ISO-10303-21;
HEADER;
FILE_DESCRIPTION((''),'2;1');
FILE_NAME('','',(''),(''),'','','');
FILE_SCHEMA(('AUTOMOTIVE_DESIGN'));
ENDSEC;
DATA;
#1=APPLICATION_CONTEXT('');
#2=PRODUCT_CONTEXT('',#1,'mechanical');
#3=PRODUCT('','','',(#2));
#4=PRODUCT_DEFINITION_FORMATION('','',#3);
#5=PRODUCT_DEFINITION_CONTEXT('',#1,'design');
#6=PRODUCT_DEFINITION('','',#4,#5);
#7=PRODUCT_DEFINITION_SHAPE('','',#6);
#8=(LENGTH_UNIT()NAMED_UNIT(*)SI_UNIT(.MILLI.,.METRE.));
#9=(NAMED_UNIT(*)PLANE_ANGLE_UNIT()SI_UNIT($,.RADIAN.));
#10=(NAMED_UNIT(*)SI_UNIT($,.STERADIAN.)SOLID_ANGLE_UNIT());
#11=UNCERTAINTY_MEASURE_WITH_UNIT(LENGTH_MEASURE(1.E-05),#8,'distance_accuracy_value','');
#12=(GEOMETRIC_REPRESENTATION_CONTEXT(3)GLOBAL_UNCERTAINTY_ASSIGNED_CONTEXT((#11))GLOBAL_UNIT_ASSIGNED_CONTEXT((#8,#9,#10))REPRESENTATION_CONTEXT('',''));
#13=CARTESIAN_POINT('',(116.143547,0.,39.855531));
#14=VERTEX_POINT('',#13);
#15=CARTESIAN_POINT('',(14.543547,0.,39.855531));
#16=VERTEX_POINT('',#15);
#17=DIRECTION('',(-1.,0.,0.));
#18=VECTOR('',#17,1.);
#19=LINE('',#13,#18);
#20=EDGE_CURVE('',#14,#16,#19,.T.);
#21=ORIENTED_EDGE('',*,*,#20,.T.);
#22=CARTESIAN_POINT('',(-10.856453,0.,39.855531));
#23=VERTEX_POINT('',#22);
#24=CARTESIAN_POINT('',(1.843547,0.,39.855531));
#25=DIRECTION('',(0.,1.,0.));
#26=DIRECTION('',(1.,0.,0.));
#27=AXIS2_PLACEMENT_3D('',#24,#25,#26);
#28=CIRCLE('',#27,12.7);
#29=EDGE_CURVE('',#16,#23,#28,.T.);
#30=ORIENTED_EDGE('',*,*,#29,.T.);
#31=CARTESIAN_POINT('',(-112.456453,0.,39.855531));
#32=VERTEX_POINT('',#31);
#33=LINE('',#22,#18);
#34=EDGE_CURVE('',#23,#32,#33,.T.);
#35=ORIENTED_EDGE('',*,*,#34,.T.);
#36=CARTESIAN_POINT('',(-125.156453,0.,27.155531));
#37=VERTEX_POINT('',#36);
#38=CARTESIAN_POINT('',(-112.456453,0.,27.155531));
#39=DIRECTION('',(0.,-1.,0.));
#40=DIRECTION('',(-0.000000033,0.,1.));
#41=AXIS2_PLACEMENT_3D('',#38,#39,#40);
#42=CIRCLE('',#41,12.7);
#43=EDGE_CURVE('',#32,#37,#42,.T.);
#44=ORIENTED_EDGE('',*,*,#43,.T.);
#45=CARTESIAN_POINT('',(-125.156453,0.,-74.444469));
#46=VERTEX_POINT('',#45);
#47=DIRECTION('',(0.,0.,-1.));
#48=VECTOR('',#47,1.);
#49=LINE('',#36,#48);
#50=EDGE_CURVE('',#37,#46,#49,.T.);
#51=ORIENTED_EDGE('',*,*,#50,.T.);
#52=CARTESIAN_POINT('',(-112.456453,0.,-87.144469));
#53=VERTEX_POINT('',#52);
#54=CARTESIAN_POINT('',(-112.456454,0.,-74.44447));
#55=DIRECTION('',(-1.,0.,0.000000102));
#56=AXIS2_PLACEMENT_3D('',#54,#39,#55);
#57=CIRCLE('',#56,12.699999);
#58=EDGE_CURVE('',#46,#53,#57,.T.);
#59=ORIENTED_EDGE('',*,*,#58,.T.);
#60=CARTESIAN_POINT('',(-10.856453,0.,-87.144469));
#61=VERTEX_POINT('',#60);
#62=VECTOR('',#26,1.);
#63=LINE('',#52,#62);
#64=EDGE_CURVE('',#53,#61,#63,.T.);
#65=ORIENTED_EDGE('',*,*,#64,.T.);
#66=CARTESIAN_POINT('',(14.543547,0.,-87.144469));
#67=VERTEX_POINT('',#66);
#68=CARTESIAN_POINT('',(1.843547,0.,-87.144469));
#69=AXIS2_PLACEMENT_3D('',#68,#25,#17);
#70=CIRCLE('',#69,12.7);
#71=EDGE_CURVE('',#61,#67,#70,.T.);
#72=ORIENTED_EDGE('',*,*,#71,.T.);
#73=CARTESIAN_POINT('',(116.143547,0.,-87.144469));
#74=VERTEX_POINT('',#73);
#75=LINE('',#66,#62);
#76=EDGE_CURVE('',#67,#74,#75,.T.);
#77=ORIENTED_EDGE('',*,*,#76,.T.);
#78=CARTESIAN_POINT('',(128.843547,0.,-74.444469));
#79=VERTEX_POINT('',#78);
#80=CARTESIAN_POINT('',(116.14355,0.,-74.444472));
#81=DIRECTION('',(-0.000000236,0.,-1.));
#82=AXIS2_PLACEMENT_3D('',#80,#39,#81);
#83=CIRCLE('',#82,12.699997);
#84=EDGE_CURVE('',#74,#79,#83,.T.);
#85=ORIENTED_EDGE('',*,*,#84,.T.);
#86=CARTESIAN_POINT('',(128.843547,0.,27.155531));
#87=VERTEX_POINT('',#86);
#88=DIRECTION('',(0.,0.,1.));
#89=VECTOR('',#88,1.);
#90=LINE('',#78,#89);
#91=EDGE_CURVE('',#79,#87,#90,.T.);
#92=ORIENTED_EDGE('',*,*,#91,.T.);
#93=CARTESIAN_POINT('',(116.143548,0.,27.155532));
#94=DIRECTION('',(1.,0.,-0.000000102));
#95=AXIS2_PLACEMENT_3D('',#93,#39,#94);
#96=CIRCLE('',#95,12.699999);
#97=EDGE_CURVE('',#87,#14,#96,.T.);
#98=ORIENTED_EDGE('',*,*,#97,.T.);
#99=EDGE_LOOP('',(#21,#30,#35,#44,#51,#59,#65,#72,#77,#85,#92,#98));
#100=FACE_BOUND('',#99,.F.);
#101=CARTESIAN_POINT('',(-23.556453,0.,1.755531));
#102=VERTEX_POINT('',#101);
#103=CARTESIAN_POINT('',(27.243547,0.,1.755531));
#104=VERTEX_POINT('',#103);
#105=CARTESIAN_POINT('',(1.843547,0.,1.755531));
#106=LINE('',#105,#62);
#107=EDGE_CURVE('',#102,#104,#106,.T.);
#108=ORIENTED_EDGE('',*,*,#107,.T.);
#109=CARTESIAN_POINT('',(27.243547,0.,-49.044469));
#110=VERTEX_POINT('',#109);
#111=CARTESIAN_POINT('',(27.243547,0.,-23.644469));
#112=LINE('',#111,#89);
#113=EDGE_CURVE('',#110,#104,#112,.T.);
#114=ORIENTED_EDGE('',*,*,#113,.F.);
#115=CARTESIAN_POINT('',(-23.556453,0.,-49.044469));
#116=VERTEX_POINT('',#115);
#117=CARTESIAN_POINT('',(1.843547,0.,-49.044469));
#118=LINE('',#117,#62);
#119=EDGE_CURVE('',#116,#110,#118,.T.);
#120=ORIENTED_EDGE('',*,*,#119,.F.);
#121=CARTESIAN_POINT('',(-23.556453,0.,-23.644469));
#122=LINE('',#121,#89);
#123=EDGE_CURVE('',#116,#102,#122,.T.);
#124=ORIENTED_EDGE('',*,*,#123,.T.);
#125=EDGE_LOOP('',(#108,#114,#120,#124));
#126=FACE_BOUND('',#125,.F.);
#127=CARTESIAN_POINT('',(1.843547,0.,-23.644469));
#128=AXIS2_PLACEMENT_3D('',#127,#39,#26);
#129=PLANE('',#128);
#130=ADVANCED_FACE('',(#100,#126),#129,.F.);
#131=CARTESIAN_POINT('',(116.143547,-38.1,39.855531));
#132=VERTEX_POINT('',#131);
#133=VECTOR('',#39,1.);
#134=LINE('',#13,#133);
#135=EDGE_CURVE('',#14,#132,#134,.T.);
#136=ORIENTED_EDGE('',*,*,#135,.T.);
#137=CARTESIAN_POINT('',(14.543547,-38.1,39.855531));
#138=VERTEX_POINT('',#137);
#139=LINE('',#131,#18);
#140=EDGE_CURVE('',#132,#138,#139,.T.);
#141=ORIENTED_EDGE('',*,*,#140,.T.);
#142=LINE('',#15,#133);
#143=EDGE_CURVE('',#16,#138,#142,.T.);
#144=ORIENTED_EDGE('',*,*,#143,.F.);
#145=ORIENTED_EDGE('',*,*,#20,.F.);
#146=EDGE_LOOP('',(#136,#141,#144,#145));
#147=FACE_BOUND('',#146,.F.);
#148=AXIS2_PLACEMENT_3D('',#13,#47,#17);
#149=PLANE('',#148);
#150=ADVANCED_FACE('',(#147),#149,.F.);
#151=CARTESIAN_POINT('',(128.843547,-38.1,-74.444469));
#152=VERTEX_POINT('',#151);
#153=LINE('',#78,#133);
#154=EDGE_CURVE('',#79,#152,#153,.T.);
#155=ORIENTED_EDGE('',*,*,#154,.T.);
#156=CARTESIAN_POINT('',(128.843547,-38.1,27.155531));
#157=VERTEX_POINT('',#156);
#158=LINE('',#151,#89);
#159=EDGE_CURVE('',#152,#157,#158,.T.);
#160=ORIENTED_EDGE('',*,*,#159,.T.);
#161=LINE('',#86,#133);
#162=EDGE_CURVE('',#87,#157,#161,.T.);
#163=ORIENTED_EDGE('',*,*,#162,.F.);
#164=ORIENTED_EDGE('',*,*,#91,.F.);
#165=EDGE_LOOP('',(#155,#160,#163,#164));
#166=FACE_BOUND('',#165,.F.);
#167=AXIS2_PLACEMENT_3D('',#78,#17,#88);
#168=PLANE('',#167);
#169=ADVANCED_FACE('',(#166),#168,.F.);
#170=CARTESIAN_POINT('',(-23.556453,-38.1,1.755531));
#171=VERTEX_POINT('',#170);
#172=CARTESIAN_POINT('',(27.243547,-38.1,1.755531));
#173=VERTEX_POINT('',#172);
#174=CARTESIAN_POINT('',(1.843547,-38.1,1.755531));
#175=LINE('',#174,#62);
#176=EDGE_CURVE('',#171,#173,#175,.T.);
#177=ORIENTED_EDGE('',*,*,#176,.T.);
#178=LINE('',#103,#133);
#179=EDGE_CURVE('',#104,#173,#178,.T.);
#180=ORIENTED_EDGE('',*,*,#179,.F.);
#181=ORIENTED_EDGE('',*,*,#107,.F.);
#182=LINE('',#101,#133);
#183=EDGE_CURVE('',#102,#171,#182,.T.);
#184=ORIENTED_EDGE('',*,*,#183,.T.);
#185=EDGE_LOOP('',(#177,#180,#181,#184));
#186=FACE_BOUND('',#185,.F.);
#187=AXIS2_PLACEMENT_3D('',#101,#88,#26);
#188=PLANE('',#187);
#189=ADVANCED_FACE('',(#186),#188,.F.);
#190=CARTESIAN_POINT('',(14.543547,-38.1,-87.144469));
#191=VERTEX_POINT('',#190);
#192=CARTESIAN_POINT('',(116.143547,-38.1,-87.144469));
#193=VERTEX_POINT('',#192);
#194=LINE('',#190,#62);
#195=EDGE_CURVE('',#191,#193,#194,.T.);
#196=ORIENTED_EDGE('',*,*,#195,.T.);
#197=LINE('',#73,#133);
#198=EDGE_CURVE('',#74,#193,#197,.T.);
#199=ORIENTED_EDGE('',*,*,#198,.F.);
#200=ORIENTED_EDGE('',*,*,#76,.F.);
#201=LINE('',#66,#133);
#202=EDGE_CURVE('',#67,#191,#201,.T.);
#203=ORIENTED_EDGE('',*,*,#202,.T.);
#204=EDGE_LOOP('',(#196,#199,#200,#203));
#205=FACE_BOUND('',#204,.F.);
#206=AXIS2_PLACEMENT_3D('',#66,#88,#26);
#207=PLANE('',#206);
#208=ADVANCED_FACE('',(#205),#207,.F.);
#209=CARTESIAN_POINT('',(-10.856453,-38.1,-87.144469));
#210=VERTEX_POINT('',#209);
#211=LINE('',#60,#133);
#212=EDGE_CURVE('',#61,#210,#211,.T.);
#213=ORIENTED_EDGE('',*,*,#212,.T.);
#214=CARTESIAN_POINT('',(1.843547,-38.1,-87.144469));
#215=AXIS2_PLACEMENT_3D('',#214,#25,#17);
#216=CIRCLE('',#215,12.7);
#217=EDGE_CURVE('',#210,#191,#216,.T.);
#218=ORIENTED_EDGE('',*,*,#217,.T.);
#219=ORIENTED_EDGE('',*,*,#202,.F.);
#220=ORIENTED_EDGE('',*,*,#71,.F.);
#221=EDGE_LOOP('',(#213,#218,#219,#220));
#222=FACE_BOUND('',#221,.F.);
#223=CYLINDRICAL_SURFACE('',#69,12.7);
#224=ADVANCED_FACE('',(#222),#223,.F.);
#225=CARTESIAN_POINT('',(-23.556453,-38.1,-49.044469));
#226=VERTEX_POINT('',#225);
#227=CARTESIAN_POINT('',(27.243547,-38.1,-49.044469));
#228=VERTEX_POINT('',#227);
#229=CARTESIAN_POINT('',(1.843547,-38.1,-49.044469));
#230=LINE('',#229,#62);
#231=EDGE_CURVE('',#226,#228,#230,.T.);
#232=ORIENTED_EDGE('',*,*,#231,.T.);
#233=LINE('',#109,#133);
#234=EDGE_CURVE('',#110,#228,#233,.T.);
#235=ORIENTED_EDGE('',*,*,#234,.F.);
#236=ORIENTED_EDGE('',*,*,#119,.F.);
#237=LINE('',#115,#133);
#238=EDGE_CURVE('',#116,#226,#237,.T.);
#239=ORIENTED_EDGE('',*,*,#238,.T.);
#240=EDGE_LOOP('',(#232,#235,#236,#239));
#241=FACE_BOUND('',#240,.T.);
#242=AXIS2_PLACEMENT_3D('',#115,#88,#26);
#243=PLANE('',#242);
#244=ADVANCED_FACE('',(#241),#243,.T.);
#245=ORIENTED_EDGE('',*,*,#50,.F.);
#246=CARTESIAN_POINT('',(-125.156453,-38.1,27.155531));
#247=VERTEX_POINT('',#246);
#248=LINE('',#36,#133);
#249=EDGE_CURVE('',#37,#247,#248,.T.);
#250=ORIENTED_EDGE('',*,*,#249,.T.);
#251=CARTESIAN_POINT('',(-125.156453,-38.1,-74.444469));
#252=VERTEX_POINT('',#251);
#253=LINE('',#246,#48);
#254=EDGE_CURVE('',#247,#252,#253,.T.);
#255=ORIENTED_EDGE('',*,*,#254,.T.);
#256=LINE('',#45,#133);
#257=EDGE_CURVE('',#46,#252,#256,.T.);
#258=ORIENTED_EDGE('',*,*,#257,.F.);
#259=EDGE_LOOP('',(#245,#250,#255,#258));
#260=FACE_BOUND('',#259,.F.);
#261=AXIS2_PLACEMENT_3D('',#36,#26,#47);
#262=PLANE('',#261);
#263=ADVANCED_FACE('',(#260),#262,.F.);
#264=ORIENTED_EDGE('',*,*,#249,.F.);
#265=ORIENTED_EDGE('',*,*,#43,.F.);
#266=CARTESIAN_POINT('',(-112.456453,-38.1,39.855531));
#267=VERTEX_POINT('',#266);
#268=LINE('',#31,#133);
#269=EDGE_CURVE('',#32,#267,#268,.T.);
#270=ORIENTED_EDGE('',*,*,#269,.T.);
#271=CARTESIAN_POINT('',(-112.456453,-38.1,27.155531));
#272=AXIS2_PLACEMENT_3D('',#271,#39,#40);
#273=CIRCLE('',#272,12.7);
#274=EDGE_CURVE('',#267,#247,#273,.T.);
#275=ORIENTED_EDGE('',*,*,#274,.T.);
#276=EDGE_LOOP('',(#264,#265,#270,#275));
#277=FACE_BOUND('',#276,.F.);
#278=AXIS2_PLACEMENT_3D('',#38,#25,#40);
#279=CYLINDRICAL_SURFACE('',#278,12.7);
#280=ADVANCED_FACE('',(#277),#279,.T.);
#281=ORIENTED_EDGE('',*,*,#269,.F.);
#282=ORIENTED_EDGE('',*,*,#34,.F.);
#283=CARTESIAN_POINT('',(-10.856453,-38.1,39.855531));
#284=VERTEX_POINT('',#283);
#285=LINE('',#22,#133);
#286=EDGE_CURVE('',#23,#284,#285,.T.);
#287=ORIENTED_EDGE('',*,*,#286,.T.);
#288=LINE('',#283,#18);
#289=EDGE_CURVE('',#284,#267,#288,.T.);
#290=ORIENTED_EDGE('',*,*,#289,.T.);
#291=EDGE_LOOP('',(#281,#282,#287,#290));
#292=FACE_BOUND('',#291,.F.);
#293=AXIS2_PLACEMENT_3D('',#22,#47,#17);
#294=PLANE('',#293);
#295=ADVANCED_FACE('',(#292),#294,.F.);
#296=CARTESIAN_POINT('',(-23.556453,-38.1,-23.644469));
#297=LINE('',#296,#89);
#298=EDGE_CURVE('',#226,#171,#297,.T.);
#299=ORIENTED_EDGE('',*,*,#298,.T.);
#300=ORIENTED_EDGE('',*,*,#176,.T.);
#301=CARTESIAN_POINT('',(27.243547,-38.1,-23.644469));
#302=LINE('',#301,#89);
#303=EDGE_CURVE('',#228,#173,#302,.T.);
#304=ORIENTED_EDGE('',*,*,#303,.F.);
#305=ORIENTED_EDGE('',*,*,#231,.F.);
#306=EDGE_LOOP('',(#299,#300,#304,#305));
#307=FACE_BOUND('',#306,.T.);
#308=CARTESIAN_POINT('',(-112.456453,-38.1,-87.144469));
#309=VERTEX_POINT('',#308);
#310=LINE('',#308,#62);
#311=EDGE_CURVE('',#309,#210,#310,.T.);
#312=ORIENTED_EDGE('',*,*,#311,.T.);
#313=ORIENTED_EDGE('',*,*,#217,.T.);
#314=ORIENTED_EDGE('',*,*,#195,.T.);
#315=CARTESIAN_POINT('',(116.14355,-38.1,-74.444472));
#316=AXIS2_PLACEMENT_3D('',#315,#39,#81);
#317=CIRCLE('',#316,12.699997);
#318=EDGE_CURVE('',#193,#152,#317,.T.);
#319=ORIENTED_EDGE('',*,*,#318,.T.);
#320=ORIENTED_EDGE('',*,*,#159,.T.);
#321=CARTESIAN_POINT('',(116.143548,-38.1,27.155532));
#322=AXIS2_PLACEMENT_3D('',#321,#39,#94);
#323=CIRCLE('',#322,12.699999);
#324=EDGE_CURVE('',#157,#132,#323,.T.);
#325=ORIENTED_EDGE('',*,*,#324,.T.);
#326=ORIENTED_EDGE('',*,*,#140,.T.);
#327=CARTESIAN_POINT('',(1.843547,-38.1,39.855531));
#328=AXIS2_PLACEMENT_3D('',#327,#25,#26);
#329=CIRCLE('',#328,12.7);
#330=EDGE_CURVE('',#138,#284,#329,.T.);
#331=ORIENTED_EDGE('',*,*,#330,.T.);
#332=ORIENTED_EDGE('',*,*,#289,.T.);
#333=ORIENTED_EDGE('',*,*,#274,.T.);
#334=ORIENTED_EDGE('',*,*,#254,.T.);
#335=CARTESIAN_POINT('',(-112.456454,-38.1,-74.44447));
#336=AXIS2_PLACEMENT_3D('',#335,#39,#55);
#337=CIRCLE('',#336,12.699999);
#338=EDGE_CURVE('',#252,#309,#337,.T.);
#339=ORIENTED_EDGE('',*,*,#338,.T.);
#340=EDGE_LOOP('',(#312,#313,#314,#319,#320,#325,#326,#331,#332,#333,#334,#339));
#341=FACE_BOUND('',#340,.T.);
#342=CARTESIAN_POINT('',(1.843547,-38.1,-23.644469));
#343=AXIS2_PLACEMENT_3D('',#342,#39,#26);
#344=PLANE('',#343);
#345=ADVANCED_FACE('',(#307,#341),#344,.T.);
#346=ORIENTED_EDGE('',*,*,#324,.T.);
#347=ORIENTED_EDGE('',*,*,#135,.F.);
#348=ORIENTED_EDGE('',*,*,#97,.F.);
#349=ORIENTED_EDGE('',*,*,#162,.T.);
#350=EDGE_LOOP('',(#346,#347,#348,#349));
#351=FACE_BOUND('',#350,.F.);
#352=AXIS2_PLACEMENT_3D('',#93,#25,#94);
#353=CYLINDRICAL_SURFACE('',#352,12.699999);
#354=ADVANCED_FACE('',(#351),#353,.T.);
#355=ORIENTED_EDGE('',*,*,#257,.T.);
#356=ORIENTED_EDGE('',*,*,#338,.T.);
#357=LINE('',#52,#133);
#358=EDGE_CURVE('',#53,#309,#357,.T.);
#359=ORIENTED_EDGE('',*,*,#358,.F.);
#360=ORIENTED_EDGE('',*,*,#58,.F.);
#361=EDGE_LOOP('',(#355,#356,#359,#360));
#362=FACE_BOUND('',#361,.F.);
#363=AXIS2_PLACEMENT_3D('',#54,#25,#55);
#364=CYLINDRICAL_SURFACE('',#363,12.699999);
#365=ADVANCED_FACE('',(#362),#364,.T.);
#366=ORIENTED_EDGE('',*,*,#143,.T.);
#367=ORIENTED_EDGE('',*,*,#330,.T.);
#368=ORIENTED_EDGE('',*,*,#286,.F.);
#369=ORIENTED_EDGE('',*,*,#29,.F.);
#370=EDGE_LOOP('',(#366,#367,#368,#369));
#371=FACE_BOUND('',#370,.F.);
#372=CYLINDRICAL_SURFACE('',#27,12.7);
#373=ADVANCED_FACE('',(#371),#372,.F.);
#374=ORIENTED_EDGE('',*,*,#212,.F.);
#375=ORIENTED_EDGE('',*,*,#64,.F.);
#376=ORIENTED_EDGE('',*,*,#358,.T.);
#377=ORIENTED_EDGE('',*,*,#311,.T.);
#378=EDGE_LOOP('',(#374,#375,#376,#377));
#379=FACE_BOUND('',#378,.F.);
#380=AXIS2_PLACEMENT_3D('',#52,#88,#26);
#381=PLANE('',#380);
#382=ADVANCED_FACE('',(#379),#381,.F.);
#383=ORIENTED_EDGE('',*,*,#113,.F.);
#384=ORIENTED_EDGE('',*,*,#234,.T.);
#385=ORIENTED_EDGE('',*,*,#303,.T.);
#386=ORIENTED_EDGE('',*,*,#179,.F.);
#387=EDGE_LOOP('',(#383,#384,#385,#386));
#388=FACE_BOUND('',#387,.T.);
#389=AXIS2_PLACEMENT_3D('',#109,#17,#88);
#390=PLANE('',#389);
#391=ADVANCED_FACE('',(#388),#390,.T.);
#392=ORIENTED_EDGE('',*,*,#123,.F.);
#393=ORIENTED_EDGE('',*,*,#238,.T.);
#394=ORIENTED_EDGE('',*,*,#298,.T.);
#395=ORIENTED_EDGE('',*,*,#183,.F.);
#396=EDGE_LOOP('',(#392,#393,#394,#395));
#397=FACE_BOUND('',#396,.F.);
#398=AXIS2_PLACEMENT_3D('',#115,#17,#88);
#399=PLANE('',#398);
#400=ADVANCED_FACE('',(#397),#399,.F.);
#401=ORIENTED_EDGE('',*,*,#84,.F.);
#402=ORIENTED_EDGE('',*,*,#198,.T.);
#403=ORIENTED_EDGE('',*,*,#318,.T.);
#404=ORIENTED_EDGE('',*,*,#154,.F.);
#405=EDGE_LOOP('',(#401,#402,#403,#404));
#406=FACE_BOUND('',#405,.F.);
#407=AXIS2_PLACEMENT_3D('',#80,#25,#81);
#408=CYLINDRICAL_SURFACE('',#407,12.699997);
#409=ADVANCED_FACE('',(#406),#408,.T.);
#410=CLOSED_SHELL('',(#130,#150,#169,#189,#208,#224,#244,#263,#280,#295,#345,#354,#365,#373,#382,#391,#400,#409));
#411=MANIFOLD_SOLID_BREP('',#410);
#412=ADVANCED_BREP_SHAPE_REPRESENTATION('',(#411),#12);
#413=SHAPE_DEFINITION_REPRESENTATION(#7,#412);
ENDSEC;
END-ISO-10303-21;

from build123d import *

# Parameters (mm, degrees)
F0_W     = 50.8
F0_H     = 50.8
F1_DEPTH = 38.1


with BuildPart() as f1:
    # F0 (on Front) → F1 (new body)
    with BuildSketch(Plane.XZ):
        with BuildLine():
            Line((-10.856453, 39.855531), (-112.456453, 39.855531))
            ThreePointArc((-112.456453, 39.855531), (-121.436709, 36.135787), (-125.156453, 27.155531))
            Line((-125.156453, 27.155531), (-125.156453, -74.444469))
            ThreePointArc((-125.156453, -74.444469), (-121.436709, -83.424726), (-112.456453, -87.144469))
            Line((-112.456453, -87.144469), (-10.856453, -87.144469))
            ThreePointArc((-10.856453, -87.144469), (1.843547, -74.444469), (14.543547, -87.144469))
            Line((14.543547, -87.144469), (116.143547, -87.144469))
            ThreePointArc((116.143547, -87.144469), (125.123804, -83.424726), (128.843547, -74.444469))
            Line((128.843547, -74.444469), (128.843547, 27.155531))
            ThreePointArc((128.843547, 27.155531), (125.123804, 36.135787), (116.143547, 39.855531))
            Line((116.143547, 39.855531), (14.543547, 39.855531))
            ThreePointArc((14.543547, 39.855531), (1.843547, 27.155531), (-10.856453, 39.855531))
        make_face()
        with Locations((1.843547, -23.644469)):
            Rectangle(F0_W, F0_H, mode=Mode.SUBTRACT)
    extrude(amount=F1_DEPTH)


solid = f1.part
